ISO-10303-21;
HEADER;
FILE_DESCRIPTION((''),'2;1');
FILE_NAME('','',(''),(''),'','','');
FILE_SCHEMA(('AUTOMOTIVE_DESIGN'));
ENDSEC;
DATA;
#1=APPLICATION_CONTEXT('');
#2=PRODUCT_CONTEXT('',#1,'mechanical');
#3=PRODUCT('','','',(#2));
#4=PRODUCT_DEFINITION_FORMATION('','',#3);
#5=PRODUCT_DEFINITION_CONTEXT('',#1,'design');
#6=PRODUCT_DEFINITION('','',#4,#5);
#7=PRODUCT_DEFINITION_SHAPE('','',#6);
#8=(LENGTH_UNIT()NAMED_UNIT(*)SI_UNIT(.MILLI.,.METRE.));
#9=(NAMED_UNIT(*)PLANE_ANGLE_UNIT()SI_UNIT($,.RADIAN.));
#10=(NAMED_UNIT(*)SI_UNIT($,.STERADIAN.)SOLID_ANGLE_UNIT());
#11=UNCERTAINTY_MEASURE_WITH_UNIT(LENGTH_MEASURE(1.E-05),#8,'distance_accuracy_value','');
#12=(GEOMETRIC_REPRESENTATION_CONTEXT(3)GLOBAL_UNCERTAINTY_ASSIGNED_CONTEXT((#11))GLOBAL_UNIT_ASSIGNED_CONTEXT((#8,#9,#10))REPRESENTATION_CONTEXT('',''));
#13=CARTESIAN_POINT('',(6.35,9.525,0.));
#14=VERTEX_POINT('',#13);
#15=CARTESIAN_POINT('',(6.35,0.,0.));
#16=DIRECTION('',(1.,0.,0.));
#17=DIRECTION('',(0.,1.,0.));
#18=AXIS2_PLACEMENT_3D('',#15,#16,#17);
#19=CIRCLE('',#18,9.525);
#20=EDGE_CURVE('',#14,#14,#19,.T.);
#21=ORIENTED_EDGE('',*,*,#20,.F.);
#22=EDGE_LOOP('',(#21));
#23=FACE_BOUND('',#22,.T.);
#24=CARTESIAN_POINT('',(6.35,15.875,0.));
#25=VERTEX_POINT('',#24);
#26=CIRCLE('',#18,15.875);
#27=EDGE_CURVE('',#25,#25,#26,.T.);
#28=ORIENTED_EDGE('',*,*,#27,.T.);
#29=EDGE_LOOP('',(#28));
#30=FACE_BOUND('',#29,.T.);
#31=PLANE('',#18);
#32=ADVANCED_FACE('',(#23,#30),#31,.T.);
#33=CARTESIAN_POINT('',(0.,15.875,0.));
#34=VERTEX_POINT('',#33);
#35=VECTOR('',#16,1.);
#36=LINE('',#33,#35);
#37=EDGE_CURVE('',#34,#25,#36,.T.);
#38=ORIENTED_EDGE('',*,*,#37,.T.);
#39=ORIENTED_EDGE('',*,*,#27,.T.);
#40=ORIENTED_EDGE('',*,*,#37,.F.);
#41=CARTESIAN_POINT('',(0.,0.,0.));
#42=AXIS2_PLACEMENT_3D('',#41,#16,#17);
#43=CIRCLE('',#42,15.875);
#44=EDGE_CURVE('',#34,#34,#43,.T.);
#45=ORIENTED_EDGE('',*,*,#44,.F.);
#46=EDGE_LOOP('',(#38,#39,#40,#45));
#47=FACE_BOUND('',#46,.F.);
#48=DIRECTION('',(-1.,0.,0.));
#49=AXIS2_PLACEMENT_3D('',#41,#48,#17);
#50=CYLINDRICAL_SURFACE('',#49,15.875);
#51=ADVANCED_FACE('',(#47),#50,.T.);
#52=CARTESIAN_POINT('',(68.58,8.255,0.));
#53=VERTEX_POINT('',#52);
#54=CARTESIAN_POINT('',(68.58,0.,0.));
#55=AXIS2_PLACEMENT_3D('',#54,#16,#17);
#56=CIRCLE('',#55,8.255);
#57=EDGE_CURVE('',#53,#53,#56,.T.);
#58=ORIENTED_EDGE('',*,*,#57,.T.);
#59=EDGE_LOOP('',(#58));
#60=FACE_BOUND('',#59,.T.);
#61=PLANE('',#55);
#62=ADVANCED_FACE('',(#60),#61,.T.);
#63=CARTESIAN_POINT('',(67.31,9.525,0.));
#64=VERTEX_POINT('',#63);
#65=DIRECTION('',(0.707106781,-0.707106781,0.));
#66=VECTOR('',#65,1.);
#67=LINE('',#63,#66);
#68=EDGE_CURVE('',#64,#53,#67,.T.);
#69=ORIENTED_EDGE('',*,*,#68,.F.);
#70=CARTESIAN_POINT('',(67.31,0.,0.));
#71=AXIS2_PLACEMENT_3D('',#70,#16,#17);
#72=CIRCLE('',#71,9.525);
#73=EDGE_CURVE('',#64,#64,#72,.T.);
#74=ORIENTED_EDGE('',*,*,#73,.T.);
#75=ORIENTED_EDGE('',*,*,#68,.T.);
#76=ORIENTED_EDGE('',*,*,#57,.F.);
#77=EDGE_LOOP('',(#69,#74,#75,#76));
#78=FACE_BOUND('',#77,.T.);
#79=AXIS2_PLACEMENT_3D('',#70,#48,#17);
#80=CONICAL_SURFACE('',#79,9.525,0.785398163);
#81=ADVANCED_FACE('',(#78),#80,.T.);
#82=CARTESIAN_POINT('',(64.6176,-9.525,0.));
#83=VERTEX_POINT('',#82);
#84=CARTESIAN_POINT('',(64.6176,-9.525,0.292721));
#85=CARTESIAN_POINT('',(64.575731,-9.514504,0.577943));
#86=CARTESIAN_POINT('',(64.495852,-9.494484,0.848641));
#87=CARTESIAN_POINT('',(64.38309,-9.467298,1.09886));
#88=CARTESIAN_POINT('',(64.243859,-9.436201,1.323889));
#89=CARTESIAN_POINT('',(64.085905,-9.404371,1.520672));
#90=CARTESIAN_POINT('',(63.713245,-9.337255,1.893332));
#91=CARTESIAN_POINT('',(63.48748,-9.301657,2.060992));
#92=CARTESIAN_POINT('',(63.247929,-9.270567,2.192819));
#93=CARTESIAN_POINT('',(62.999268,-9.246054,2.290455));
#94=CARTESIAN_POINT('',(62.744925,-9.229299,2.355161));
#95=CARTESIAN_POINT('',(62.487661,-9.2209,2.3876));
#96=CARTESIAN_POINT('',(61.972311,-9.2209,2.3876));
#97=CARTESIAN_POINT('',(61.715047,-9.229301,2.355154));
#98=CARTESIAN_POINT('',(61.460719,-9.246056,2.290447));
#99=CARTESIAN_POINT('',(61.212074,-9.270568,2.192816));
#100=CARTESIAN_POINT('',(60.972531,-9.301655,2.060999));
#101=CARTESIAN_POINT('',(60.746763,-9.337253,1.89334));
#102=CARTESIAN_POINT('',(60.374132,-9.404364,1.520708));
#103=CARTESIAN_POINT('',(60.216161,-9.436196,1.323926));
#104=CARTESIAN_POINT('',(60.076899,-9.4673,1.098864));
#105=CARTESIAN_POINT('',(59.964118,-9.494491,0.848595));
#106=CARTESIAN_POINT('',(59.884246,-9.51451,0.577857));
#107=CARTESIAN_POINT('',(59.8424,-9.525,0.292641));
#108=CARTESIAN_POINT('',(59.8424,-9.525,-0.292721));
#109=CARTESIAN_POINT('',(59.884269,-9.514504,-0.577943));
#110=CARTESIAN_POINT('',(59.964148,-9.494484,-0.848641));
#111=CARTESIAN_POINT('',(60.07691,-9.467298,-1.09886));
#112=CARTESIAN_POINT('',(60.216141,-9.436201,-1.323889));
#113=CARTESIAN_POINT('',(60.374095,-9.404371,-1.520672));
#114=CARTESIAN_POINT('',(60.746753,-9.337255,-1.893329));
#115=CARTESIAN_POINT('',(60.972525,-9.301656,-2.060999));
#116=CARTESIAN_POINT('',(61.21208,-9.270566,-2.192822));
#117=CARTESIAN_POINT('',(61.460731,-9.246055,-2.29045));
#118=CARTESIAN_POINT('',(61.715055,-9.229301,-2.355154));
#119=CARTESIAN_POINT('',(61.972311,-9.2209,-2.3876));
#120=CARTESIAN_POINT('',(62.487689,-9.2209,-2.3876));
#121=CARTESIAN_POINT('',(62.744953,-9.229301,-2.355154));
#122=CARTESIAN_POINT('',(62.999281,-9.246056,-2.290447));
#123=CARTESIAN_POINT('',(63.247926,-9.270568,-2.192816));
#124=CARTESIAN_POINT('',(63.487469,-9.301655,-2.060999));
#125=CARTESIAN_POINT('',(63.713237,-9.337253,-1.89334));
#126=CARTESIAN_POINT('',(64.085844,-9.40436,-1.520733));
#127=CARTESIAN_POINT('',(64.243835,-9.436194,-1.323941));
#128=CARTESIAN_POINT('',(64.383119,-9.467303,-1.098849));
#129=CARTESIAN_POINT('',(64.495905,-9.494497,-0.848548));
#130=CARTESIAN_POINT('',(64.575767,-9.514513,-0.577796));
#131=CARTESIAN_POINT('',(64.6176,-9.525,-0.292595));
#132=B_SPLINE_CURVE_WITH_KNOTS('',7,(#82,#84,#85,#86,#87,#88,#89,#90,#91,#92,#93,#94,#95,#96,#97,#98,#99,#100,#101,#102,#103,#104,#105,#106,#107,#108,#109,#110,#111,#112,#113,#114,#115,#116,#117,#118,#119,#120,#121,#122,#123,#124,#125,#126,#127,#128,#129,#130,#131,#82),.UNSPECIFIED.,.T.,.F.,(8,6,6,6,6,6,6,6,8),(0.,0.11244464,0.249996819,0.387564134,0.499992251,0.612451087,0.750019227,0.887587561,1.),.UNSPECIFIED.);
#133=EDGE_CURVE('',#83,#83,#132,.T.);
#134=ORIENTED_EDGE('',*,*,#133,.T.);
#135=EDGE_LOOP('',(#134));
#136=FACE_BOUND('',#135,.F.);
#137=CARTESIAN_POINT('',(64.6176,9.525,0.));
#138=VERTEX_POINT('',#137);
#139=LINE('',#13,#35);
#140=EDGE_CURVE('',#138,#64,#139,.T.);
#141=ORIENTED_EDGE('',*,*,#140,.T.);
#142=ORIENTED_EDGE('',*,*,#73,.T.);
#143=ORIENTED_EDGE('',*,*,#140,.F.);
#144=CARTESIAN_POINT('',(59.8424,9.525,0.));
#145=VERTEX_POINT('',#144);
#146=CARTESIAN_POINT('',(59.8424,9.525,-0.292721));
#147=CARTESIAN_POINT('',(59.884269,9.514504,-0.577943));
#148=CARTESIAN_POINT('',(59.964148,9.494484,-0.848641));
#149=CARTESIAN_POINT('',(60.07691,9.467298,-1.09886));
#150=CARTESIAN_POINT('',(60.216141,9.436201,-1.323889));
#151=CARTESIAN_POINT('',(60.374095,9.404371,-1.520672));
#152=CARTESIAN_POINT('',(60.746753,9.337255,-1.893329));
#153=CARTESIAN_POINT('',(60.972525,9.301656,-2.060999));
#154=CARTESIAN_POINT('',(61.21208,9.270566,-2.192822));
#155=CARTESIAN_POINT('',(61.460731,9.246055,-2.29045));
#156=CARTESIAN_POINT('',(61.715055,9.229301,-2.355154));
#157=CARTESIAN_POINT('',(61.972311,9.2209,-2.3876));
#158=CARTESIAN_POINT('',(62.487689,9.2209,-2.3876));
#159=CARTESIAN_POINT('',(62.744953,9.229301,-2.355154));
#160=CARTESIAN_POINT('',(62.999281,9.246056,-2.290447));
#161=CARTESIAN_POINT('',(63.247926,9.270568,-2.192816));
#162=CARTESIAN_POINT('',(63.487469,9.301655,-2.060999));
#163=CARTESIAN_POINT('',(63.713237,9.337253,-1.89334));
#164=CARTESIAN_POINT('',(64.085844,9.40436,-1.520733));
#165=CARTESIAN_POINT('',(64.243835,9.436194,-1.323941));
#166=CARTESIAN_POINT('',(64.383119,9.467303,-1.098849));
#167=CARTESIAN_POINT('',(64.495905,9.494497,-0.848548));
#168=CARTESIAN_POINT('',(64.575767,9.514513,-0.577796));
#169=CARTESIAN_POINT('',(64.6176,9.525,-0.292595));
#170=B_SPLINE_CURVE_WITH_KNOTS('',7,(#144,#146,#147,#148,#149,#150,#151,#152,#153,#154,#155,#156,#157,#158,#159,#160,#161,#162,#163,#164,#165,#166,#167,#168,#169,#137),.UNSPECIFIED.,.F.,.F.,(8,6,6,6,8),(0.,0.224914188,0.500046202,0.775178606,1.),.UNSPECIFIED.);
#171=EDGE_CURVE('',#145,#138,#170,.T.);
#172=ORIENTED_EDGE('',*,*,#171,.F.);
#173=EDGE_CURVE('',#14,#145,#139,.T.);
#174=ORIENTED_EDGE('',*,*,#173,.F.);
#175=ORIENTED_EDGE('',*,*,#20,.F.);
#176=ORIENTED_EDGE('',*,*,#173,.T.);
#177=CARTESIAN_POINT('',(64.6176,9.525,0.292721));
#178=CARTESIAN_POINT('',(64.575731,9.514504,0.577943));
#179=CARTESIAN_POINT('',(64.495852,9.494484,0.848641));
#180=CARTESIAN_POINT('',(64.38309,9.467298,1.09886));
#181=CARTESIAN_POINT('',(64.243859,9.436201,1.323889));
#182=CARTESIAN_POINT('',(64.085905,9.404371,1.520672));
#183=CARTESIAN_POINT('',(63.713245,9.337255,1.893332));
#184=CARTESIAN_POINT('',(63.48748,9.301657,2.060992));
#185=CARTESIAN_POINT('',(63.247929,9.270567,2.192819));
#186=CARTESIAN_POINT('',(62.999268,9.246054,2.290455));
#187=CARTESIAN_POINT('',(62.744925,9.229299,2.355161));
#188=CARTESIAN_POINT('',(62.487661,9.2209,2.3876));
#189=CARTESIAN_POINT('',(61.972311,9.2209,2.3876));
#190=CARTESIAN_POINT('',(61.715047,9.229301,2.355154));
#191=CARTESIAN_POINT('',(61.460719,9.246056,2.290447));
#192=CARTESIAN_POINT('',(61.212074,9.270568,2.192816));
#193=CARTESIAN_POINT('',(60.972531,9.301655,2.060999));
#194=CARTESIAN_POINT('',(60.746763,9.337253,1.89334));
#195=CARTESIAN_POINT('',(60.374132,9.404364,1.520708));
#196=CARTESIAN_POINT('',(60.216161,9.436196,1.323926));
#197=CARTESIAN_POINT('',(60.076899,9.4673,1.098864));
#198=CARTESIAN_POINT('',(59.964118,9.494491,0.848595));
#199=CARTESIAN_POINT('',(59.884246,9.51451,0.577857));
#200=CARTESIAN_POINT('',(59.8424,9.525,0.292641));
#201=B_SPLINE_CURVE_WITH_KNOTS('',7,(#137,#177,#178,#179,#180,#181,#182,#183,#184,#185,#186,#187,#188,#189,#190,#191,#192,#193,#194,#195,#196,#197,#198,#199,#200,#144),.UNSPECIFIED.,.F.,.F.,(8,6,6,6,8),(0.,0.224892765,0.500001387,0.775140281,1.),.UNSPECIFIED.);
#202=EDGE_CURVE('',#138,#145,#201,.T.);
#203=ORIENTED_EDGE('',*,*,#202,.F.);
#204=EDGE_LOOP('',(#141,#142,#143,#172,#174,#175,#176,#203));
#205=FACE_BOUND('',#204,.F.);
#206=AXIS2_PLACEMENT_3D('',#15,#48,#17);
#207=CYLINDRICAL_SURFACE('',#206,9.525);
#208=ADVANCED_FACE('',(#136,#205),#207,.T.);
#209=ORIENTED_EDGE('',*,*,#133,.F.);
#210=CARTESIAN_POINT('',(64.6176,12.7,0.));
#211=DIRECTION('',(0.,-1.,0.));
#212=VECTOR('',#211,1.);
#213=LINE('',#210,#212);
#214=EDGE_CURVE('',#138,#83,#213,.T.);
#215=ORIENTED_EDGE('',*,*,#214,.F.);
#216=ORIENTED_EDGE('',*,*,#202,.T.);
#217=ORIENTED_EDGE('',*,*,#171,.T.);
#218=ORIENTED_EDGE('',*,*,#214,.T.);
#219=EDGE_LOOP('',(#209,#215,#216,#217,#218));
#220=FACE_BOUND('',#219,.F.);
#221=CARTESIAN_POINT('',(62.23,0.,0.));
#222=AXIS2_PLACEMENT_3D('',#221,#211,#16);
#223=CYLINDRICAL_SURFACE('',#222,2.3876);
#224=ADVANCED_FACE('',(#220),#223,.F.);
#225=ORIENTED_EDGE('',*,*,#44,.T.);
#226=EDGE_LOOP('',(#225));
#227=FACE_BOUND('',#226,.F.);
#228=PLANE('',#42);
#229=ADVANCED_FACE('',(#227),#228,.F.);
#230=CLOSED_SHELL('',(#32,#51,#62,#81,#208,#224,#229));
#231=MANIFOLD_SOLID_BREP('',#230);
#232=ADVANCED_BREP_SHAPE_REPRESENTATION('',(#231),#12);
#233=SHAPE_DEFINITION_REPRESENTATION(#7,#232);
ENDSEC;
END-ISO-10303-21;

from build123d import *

# Parameters (mm, degrees)
F0_R     = 15.875
F1_DEPTH = 6.35
F2_R     = 9.525
F3_DEPTH = 62.23
F4_R     = 2.3876
F5_DEPTH = 12.7
F6_SIZE2 = 1.27
F6_SIZE  = 1.27


with BuildPart() as f1:
    # F0 (on Right) → F1 (new body)
    with BuildSketch(Plane.YZ):
        Circle(F0_R)
    extrude(amount=F1_DEPTH)

    # F2 (on face) → F3 (join)
    with BuildSketch(Plane.YZ.offset(6.35)):
        Circle(F2_R)
    extrude(amount=F3_DEPTH)

    # F4 (on Front) → F5 (cut, symmetric)
    with BuildSketch(Plane.XZ):
        with Locations((62.23, 0)):
            Circle(F4_R)
    extrude(amount=F5_DEPTH, both=True, mode=Mode.SUBTRACT)

    # F6
    f6_edges = [f1.edges().sort_by_distance(p)[0] for p in [
        (68.58, -9.525, 0),
    ]]
    chamfer(f6_edges, length=F6_SIZE, length2=F6_SIZE2)


solid = f1.part
